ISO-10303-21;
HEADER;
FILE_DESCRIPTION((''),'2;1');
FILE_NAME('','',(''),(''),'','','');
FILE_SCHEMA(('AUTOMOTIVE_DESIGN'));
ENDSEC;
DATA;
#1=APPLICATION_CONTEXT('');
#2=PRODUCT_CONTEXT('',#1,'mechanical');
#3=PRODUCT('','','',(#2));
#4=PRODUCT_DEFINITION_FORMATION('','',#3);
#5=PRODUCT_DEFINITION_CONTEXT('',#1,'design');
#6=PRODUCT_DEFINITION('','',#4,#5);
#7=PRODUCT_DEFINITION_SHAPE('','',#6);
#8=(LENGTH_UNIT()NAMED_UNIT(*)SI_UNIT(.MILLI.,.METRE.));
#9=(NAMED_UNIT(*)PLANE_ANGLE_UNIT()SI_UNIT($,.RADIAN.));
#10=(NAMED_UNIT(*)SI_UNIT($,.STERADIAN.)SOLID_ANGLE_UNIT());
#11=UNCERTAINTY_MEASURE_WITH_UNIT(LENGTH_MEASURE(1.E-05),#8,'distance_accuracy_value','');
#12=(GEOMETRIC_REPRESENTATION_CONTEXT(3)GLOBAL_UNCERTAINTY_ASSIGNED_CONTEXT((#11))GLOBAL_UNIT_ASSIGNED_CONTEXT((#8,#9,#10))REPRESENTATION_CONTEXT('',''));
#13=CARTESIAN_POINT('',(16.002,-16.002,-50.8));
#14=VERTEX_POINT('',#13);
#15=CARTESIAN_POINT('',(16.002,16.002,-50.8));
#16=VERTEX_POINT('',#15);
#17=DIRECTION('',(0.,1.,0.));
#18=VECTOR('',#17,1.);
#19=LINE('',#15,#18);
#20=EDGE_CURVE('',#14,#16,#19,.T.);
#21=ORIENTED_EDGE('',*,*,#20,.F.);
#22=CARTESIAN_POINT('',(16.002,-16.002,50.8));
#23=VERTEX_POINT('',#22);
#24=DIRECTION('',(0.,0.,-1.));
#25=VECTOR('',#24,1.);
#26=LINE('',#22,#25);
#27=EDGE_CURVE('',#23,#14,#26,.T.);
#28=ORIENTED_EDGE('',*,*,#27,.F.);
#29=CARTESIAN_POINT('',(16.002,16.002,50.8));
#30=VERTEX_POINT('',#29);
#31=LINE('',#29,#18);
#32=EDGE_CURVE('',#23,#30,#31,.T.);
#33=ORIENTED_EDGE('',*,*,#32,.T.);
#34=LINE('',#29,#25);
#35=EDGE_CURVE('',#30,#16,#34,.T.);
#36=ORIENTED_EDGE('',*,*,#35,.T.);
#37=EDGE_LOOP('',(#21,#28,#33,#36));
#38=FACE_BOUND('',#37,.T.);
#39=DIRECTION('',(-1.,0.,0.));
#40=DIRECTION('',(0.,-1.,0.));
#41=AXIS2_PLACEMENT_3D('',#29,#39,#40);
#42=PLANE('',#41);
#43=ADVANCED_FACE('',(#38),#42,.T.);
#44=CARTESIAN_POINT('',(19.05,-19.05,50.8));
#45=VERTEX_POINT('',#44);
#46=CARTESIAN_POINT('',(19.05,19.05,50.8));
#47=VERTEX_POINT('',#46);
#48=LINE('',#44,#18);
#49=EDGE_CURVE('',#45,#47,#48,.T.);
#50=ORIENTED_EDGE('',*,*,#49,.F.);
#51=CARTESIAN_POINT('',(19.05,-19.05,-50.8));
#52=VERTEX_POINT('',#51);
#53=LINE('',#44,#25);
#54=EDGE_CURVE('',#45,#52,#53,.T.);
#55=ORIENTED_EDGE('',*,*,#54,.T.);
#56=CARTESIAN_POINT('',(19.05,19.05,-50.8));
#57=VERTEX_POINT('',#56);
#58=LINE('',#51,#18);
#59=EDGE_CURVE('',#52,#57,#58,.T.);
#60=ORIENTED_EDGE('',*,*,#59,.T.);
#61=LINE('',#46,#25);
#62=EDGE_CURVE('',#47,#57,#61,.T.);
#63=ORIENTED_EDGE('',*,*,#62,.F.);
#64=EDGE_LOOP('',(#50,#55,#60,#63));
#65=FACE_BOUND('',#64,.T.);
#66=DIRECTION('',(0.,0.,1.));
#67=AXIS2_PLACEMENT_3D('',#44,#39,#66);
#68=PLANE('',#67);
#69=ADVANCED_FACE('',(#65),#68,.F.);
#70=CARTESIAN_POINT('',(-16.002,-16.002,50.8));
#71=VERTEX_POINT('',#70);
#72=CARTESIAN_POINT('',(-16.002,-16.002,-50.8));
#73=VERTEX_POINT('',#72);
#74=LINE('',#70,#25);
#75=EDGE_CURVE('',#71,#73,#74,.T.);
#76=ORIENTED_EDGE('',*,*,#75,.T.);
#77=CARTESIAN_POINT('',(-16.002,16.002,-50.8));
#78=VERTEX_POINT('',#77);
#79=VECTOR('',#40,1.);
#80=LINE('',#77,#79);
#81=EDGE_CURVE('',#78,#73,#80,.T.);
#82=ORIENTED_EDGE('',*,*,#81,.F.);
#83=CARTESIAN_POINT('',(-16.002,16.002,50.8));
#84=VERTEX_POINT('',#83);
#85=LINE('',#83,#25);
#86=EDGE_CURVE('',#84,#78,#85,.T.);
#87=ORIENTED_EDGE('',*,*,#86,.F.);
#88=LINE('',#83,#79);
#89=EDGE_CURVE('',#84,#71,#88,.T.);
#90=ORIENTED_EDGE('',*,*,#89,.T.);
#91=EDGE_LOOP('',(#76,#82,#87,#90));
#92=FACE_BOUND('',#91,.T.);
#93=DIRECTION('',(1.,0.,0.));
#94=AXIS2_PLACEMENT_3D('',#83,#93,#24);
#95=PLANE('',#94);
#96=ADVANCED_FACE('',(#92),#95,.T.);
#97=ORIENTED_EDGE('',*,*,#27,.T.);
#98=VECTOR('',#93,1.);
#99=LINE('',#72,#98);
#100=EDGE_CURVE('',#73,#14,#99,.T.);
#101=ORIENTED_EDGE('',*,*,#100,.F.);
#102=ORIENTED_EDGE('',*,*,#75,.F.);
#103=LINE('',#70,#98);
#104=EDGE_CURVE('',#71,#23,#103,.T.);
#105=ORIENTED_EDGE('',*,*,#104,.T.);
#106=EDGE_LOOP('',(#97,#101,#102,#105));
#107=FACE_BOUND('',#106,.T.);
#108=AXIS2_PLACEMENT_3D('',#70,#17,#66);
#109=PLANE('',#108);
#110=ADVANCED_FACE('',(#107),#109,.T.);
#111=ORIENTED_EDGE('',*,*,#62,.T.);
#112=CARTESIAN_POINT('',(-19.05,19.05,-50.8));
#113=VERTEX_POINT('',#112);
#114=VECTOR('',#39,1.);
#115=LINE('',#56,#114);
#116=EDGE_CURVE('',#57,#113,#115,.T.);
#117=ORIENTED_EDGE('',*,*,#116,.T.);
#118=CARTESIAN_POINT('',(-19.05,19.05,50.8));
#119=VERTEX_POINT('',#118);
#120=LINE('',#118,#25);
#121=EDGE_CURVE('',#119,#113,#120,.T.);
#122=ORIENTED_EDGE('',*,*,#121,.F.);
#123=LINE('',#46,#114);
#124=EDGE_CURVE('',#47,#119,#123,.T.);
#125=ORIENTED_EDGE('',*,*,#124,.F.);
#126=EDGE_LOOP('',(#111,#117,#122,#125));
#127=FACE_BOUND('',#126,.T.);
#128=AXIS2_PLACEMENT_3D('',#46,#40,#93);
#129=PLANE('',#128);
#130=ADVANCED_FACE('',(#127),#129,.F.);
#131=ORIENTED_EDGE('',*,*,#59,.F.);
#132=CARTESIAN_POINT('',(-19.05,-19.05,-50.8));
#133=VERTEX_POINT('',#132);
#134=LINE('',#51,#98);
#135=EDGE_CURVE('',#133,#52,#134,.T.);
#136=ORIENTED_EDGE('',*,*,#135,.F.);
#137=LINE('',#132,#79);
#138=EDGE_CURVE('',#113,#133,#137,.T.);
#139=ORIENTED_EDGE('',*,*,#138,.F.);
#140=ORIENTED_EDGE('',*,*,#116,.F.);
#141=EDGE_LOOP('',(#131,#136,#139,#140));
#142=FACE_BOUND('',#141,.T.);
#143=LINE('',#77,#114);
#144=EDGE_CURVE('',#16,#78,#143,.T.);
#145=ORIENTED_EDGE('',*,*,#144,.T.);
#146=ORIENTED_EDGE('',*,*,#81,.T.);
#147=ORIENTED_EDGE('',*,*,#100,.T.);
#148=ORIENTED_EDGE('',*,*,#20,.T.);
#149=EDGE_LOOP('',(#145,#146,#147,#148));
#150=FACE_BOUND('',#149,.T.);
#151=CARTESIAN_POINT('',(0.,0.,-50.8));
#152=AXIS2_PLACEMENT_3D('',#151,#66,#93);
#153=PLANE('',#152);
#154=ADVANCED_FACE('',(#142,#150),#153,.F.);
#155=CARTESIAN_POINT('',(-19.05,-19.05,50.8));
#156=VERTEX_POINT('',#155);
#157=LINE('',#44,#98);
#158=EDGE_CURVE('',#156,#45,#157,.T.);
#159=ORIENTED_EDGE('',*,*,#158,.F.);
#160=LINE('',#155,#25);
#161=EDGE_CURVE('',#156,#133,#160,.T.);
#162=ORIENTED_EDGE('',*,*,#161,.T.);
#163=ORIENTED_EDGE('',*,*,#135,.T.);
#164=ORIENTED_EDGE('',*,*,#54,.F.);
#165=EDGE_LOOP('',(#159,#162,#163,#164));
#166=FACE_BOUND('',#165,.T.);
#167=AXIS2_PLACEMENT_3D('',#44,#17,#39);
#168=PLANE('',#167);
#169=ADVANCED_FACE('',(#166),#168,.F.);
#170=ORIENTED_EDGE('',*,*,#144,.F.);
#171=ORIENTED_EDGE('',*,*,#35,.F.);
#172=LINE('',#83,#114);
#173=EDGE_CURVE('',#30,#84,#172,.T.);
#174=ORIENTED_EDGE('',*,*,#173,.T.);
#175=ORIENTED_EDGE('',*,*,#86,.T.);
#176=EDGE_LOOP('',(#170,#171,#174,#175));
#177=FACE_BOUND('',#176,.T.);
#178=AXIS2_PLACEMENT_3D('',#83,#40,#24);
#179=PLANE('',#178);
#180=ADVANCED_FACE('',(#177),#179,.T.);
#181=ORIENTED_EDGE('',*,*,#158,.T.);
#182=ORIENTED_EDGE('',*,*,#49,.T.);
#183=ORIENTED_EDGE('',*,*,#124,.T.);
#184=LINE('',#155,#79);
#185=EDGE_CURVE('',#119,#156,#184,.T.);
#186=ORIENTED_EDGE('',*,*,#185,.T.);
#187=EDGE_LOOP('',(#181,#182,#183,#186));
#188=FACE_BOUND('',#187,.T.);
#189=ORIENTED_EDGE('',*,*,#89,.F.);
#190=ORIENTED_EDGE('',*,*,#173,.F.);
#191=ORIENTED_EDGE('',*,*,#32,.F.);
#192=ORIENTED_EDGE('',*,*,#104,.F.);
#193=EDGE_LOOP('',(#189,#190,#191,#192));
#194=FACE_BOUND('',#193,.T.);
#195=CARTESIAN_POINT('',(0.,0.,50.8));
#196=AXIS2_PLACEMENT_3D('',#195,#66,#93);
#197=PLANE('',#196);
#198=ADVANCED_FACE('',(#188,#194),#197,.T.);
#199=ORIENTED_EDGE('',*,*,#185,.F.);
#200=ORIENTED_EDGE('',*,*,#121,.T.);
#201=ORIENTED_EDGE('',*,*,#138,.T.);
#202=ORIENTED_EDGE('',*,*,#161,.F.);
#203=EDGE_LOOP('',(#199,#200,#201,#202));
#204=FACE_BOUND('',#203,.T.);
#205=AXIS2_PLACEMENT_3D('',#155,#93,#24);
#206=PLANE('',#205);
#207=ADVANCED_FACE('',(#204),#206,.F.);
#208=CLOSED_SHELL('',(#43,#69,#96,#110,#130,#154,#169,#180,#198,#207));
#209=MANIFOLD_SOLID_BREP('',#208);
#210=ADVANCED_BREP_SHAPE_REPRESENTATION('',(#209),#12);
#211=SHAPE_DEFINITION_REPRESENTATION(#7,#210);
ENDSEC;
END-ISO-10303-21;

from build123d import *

# Parameters (mm, degrees)
SKETCH1_W           = 38.1
SKETCH1_H           = 38.1
SKETCH1_W_2         = 32.004
SKETCH1_H_2         = 32.004
BOSS_EXTRUDE1_DEPTH = 50.8


with BuildPart() as part:
    # Sketch1 → Boss-Extrude1 (new body, symmetric)
    with BuildSketch(Plane.XY):
        Rectangle(SKETCH1_W, SKETCH1_H)
        Rectangle(SKETCH1_W_2, SKETCH1_H_2, mode=Mode.SUBTRACT)
    extrude(amount=BOSS_EXTRUDE1_DEPTH, both=True)


solid = part.part
